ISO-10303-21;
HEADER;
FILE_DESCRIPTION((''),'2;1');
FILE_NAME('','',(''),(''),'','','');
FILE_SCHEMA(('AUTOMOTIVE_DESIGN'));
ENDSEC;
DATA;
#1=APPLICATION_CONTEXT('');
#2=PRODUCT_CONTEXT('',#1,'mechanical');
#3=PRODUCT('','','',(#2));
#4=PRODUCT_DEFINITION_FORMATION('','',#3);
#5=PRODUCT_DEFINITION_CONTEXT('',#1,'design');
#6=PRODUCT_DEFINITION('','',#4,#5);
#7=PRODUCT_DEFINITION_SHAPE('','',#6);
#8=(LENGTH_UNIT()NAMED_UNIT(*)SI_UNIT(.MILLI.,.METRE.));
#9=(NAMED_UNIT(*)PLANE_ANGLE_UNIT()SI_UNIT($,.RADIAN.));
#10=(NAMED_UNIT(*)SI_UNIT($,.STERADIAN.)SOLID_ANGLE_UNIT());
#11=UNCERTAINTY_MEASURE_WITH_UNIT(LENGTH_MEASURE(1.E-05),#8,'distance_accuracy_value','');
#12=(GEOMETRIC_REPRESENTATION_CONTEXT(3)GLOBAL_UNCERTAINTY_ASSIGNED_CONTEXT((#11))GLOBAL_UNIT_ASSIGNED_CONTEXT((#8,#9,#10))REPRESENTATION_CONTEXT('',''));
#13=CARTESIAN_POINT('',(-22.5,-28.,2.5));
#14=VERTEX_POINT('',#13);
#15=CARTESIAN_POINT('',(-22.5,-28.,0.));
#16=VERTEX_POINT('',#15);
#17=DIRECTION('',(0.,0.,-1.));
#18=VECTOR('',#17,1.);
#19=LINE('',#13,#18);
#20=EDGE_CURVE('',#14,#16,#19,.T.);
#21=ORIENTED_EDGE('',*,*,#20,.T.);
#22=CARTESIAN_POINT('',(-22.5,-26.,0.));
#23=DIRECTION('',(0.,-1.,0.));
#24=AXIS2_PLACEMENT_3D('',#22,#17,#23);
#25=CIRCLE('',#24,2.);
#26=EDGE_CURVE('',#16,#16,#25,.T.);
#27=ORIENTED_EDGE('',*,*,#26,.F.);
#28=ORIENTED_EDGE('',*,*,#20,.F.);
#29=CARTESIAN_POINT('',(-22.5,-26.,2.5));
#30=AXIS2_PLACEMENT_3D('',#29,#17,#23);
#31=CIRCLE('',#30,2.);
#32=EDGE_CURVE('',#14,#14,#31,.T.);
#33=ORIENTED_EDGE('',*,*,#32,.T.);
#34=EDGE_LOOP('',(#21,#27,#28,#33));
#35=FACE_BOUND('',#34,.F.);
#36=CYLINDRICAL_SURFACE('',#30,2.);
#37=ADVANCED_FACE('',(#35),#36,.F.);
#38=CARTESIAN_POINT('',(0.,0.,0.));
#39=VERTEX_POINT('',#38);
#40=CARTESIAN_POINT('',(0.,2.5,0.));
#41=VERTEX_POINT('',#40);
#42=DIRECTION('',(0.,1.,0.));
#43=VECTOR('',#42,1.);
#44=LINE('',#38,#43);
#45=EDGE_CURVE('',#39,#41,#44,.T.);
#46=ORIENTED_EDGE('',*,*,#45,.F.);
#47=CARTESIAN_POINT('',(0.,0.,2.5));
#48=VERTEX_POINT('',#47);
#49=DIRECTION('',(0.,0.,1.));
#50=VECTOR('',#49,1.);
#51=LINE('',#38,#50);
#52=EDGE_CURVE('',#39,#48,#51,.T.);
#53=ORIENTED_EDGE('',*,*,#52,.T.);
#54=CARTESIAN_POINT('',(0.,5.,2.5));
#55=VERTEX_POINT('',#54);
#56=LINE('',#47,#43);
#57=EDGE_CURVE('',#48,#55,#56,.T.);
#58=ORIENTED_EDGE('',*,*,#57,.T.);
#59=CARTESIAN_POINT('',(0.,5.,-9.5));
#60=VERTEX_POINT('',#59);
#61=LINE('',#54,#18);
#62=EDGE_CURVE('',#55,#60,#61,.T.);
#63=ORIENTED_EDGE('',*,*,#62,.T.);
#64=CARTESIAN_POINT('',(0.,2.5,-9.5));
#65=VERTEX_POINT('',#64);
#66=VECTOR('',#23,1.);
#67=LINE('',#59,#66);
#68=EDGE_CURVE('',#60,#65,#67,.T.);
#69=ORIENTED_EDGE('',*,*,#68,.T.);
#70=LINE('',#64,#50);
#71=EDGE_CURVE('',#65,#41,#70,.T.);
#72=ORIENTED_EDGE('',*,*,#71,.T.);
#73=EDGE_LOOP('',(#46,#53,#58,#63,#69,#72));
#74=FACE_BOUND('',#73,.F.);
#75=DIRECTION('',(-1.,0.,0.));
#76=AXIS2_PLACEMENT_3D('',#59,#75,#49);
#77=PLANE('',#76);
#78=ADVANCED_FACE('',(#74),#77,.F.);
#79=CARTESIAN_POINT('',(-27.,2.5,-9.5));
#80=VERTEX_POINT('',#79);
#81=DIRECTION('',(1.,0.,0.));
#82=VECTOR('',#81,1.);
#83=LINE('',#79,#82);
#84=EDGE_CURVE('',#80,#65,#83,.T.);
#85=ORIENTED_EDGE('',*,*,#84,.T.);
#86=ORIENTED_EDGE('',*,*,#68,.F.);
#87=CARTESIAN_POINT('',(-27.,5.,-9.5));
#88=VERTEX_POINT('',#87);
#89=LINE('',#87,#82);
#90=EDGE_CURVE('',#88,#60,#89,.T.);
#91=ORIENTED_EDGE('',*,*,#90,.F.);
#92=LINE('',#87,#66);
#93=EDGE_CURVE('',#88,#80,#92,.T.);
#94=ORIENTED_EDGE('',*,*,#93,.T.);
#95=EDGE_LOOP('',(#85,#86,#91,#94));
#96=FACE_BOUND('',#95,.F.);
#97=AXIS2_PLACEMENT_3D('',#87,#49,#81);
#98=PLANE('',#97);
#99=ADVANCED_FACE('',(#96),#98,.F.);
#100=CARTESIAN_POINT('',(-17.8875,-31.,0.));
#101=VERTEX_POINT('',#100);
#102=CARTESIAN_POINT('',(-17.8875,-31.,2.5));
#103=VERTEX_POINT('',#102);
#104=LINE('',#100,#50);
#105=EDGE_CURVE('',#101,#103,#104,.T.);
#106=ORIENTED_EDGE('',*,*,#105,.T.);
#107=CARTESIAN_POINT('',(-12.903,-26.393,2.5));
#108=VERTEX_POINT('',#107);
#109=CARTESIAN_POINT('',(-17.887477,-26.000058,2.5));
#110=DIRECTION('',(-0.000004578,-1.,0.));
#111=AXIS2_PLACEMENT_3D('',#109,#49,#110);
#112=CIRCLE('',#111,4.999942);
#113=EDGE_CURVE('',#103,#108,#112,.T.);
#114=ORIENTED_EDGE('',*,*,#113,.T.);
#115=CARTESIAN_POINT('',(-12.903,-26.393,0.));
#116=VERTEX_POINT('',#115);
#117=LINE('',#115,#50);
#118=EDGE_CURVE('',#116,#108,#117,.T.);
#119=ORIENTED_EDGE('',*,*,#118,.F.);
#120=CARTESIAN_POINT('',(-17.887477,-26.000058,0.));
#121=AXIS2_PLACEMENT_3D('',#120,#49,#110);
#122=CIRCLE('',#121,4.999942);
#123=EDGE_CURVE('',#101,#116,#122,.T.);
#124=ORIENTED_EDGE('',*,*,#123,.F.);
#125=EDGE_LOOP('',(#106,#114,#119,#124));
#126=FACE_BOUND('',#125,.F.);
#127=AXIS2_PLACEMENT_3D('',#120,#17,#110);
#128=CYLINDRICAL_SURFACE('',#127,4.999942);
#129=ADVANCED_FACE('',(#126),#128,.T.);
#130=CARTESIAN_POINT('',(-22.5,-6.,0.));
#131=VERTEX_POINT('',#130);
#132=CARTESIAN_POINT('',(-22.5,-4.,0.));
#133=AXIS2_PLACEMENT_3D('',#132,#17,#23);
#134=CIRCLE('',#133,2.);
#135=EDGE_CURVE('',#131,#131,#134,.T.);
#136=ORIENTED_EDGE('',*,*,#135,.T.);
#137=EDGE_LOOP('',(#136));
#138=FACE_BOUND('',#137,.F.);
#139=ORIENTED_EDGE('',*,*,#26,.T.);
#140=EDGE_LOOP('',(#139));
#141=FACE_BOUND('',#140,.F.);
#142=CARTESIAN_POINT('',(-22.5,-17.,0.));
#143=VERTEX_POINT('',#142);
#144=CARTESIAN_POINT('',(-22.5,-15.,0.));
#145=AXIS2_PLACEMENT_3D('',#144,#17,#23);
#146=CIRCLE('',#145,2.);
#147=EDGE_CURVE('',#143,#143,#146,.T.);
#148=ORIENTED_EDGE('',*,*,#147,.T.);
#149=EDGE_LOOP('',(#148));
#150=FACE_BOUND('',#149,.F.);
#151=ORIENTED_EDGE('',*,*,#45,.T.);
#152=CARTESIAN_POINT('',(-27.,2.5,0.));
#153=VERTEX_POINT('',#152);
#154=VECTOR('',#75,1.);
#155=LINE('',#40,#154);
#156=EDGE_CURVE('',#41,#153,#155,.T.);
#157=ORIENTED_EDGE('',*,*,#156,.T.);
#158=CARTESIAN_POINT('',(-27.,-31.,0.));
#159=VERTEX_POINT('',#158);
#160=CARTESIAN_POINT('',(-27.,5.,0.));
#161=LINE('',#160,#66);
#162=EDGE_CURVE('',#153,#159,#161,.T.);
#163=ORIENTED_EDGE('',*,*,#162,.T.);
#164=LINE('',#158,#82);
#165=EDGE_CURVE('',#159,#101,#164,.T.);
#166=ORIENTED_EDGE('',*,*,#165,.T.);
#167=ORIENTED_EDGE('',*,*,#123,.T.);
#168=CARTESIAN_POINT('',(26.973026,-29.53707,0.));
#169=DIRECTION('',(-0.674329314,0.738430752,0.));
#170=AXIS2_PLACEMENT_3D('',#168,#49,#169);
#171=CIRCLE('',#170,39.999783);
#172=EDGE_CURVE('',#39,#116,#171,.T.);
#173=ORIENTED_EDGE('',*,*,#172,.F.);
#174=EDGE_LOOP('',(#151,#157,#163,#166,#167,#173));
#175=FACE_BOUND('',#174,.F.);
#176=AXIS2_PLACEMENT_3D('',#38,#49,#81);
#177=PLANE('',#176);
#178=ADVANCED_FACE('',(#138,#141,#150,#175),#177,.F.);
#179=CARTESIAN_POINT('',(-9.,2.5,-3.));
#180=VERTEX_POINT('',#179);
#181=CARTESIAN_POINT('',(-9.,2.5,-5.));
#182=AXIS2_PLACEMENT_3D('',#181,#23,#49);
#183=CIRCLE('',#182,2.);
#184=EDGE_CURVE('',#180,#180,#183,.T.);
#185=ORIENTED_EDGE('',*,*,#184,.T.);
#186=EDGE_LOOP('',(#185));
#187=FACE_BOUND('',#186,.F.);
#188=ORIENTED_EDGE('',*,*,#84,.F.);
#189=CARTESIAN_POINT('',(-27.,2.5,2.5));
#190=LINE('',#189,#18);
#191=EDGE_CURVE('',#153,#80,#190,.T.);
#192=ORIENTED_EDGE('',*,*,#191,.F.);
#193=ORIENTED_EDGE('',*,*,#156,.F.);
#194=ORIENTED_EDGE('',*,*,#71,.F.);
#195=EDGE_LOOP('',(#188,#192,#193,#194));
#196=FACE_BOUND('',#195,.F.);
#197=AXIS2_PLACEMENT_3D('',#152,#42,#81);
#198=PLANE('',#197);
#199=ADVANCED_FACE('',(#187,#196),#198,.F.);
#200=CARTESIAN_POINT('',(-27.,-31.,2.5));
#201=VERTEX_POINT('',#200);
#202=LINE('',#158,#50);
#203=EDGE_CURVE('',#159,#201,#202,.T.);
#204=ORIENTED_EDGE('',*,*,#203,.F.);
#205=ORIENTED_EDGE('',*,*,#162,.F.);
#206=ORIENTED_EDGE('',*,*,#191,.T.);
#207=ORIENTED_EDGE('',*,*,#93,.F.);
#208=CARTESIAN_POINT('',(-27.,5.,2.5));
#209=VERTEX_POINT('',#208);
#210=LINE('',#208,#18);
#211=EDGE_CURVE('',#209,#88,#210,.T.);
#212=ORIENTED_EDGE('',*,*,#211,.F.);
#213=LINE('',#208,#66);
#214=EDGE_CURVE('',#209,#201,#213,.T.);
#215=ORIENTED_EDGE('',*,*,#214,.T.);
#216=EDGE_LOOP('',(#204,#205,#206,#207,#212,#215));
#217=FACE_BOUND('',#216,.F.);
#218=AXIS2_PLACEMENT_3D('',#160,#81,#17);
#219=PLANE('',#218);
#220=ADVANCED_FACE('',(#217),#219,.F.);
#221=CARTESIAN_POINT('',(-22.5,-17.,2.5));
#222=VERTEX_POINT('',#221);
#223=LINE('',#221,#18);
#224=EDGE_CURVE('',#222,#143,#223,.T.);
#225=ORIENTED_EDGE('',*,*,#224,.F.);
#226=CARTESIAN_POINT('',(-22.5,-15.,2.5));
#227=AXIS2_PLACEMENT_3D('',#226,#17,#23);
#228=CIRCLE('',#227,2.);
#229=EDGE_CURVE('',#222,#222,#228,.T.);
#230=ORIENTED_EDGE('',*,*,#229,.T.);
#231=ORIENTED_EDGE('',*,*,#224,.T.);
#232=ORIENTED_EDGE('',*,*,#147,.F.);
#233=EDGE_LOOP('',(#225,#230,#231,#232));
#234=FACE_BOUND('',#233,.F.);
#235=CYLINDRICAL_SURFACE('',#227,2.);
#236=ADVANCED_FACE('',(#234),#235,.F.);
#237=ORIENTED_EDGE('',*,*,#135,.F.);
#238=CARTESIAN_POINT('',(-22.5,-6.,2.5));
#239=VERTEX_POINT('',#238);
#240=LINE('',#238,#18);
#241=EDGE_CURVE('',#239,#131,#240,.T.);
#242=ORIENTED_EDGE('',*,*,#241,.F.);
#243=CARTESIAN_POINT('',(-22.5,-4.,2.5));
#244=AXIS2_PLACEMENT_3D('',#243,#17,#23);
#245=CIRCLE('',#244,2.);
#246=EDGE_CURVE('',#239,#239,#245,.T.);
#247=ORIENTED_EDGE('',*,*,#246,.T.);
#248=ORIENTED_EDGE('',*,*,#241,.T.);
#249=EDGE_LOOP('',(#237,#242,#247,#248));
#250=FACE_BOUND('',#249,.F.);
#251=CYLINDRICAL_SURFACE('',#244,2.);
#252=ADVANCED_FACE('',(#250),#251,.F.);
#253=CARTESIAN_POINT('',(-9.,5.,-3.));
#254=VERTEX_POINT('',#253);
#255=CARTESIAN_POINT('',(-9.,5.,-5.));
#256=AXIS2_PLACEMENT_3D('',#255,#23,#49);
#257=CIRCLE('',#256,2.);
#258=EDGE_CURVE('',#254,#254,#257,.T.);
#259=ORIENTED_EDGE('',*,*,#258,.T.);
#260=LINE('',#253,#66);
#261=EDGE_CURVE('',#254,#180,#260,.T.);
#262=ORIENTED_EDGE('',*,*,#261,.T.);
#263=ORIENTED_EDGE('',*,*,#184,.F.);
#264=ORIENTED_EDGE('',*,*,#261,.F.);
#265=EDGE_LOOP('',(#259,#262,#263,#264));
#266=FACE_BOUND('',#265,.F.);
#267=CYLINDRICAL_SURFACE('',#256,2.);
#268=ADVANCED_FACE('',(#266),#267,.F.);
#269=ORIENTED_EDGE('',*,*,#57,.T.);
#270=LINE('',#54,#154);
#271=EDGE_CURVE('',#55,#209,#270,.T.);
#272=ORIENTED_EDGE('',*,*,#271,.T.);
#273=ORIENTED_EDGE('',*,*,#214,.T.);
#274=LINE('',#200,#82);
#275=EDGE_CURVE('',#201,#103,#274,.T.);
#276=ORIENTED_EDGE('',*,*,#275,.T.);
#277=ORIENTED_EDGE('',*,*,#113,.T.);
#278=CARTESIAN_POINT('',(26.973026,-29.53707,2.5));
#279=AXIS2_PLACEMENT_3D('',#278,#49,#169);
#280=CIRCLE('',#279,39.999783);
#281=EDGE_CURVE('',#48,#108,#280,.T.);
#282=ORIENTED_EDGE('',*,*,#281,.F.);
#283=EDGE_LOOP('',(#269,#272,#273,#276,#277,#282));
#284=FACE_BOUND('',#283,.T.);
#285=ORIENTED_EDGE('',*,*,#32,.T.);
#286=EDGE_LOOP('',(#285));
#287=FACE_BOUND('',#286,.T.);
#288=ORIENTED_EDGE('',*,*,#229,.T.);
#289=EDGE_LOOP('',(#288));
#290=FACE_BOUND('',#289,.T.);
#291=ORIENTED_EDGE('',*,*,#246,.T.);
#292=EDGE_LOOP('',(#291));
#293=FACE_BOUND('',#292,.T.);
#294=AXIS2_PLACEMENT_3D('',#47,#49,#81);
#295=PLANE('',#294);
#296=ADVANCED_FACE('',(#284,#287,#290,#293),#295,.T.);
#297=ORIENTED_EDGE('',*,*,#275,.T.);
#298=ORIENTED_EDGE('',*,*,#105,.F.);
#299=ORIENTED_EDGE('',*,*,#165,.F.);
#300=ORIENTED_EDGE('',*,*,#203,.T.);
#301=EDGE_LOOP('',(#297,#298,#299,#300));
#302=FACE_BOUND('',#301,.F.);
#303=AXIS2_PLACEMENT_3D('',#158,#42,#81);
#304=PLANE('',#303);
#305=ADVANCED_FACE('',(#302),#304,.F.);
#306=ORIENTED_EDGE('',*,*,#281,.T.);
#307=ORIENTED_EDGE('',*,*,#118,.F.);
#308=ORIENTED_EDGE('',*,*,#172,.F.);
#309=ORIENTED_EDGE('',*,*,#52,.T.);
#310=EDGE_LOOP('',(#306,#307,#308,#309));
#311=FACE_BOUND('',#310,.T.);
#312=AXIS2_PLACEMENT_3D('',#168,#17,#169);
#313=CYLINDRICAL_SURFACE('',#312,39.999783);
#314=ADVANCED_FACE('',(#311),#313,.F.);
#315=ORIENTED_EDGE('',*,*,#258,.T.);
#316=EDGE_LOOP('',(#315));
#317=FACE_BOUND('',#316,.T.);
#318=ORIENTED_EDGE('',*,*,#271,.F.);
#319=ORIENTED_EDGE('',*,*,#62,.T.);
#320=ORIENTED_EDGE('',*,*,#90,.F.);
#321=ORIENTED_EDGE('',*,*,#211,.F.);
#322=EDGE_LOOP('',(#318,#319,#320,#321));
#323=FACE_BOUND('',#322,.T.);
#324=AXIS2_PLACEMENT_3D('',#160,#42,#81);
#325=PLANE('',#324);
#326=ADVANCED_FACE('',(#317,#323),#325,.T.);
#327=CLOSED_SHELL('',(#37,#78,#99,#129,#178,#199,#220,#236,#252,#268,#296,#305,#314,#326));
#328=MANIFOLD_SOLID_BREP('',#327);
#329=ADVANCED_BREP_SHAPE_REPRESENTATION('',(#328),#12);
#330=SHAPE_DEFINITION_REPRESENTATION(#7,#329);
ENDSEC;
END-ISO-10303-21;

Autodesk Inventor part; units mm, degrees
ref_plane "YZ Plane" through (0, 0, 0) normal (1, 0, 0) x (0, 1, 0)
ref_plane "XZ Plane" through (0, 0, 0) normal (0, 1, 0) x (-1, 0, 0)
ref_plane "XY Plane" through (0, 0, 0) normal (0, 0, 1) x (1, 0, 0)
sketch "Sketch1" plane through (0, 0, 0) normal (0, 0, 1) x (1, 0, 0)
  line L0 (0, 0) -> (0, 5)
  line L1 (0, 5) -> (-27, 5)
  line L2 (-27, 5) -> (-27, -31)
  line L3 (-27, -31) -> (-13, -31)
  arc A0 (0, 0) -> (-12.903, -26.393) centre (26.9732, -29.5372) ccw
  arc A1 (-17.8875, -31) -> (-12.903, -26.393) centre (-17.8875, -26) ccw
  dimension "d3" = 5
  dimension "d4" = 27
  dimension "d5" = 36
  dimension "d6" = 14
  dimension "d9" = 40
  dimension "d10" = 10
extrude "Extrusion1" add sketch "Sketch1" along normal blind 2.5
sketch "Sketch4" plane through (-27, 5, 0) normal (0, 1, 0) x (1, 0, 0)
  circle A0 centre (18, -7.5) radius 2
  line L0 (0, 0) -> (0, -2.5) projected
  line L1 (27, 0) -> (0, 0) projected
  point P0 (0, -12)
  dimension "d20" = 4
  dimension "d21" = 18
  dimension "d22" = 7.5
hole "Hole1" at (-9, 5, 7.5) direction (0, -1, 0) diameter 4 end through all
sketch "Sketch5" plane through (0, 0, 2.5) normal (0, 0, 1) x (1, 0, 0)
  line L0 (-22.5, -4) -> (-22.5, -26) construction
  circle A0 centre (-22.5, -4) radius 2
  circle A1 centre (-22.5, -15) radius 2
  circle A2 centre (-22.5, -26) radius 2
  line L1 (-27, 5) -> (0, 5) projected
  line L2 (-27, 5) -> (-27, -31) projected
  point P0 (0, 0)
  point P1 (-27, 2.5)
  dimension "d30" = 4
  dimension "d31" = 4
  dimension "d32" = 4
  dimension "d33" = 11
  dimension "d34" = 9
  dimension "d35" = 11
  dimension "d36" = 4.5
hole "Hole2" at (-22.5, -4, 2.5) at (-22.5, -15, 2.5) at (-22.5, -26, 2.5) direction (0, 0, -1) diameter 4 end through all
sketch "Sketch6" plane through (-27, 5, 0) normal (0, 1, 0) x (1, 0, 0)
  line L0 (27, -2.5) -> (0, -2.5)
  line L1 (0, -2.5) -> (0, 9.5)
  line L2 (0, 9.5) -> (27, 9.5)
  line L3 (27, 9.5) -> (27, -2.5)
  line L4 (27, -2.5) -> (0, -2.5) projected
  line L5 (27, 0) -> (0, 0)
  dimension "d44" = 0
  dimension "d45" = 12
  dimension "d46" = 27
extrude "Extrusion3" add sketch "Sketch6" against normal blind 2.5 contours L5 L1 L2 L3
sketch "Sketch7" plane through (-27, 5, 2.5) normal (0, 1, 0) x (1, 0, 0)
  circle A0 centre (18, 7.5) radius 2
  line L0 (27, 0) -> (0, 0) projected
  line L1 (0, 12) -> (0, 0) projected
  point P0 (27, 2.5)
  dimension "d49" = 4
  dimension "d50" = 7.5
  dimension "d51" = 18
hole "Hole3" at (-9, 5, -5) direction (0, -1, 0) diameter 4 end through all
properties part number "1-19"
